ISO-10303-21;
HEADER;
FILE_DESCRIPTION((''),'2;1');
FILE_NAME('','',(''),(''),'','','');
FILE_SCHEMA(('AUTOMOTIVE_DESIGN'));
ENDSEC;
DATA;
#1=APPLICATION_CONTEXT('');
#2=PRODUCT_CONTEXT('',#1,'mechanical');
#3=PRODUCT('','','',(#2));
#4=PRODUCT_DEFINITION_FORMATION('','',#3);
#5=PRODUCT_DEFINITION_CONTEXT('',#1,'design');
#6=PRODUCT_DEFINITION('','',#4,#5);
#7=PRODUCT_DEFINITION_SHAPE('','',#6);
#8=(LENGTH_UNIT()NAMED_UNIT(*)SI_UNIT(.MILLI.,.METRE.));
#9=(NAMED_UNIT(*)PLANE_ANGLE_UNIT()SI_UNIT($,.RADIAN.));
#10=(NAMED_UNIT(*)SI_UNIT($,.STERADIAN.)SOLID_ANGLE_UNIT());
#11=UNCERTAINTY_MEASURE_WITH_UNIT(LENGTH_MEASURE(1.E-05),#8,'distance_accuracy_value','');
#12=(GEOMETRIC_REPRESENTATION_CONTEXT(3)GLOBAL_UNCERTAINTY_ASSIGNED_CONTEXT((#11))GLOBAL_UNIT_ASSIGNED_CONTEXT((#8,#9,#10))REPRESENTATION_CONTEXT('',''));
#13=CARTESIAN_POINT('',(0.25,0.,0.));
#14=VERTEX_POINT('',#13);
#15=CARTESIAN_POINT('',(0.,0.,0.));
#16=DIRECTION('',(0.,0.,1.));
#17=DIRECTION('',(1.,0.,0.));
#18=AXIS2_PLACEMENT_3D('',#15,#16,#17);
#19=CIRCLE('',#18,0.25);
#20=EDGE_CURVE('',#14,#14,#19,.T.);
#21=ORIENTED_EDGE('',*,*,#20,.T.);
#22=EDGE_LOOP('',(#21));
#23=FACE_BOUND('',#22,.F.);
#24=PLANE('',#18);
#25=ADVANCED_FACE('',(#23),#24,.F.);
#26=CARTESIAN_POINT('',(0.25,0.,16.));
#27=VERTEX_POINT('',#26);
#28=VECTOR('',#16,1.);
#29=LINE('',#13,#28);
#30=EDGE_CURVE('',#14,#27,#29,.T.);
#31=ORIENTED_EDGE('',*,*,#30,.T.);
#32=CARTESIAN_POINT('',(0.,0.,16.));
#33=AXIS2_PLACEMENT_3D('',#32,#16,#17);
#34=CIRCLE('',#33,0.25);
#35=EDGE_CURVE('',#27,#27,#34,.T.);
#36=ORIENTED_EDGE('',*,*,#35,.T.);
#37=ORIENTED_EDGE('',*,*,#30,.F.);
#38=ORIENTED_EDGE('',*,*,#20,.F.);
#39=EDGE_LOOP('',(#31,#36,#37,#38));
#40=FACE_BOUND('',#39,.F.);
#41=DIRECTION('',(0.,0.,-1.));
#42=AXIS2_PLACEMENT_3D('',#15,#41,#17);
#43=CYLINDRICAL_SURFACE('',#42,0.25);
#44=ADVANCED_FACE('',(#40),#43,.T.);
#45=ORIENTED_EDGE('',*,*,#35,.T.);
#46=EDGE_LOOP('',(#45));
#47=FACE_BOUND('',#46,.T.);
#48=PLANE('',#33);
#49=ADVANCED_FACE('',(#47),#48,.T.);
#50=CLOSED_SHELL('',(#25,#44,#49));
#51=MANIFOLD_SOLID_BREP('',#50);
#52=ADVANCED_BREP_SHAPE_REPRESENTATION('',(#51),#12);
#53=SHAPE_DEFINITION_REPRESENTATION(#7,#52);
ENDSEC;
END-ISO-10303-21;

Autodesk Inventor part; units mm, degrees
ref_plane "YZ Plane" through (0, 0, 0) normal (1, 0, 0) x (0, 1, 0)
ref_plane "XZ Plane" through (0, 0, 0) normal (0, 1, 0) x (-1, 0, 0)
ref_plane "XY Plane" through (0, 0, 0) normal (0, 0, 1) x (1, 0, 0)
sketch "Sketch1" plane through (0, 0, 0) normal (0, 0, 1) x (1, 0, 0)
  circle A0 centre (0, 0) radius 0.25
  dimension "d0" = 0.5
extrude "Extrusion1" add sketch "Sketch1" along normal blind 16
properties part number "w-wire-10" material "Titanium"
